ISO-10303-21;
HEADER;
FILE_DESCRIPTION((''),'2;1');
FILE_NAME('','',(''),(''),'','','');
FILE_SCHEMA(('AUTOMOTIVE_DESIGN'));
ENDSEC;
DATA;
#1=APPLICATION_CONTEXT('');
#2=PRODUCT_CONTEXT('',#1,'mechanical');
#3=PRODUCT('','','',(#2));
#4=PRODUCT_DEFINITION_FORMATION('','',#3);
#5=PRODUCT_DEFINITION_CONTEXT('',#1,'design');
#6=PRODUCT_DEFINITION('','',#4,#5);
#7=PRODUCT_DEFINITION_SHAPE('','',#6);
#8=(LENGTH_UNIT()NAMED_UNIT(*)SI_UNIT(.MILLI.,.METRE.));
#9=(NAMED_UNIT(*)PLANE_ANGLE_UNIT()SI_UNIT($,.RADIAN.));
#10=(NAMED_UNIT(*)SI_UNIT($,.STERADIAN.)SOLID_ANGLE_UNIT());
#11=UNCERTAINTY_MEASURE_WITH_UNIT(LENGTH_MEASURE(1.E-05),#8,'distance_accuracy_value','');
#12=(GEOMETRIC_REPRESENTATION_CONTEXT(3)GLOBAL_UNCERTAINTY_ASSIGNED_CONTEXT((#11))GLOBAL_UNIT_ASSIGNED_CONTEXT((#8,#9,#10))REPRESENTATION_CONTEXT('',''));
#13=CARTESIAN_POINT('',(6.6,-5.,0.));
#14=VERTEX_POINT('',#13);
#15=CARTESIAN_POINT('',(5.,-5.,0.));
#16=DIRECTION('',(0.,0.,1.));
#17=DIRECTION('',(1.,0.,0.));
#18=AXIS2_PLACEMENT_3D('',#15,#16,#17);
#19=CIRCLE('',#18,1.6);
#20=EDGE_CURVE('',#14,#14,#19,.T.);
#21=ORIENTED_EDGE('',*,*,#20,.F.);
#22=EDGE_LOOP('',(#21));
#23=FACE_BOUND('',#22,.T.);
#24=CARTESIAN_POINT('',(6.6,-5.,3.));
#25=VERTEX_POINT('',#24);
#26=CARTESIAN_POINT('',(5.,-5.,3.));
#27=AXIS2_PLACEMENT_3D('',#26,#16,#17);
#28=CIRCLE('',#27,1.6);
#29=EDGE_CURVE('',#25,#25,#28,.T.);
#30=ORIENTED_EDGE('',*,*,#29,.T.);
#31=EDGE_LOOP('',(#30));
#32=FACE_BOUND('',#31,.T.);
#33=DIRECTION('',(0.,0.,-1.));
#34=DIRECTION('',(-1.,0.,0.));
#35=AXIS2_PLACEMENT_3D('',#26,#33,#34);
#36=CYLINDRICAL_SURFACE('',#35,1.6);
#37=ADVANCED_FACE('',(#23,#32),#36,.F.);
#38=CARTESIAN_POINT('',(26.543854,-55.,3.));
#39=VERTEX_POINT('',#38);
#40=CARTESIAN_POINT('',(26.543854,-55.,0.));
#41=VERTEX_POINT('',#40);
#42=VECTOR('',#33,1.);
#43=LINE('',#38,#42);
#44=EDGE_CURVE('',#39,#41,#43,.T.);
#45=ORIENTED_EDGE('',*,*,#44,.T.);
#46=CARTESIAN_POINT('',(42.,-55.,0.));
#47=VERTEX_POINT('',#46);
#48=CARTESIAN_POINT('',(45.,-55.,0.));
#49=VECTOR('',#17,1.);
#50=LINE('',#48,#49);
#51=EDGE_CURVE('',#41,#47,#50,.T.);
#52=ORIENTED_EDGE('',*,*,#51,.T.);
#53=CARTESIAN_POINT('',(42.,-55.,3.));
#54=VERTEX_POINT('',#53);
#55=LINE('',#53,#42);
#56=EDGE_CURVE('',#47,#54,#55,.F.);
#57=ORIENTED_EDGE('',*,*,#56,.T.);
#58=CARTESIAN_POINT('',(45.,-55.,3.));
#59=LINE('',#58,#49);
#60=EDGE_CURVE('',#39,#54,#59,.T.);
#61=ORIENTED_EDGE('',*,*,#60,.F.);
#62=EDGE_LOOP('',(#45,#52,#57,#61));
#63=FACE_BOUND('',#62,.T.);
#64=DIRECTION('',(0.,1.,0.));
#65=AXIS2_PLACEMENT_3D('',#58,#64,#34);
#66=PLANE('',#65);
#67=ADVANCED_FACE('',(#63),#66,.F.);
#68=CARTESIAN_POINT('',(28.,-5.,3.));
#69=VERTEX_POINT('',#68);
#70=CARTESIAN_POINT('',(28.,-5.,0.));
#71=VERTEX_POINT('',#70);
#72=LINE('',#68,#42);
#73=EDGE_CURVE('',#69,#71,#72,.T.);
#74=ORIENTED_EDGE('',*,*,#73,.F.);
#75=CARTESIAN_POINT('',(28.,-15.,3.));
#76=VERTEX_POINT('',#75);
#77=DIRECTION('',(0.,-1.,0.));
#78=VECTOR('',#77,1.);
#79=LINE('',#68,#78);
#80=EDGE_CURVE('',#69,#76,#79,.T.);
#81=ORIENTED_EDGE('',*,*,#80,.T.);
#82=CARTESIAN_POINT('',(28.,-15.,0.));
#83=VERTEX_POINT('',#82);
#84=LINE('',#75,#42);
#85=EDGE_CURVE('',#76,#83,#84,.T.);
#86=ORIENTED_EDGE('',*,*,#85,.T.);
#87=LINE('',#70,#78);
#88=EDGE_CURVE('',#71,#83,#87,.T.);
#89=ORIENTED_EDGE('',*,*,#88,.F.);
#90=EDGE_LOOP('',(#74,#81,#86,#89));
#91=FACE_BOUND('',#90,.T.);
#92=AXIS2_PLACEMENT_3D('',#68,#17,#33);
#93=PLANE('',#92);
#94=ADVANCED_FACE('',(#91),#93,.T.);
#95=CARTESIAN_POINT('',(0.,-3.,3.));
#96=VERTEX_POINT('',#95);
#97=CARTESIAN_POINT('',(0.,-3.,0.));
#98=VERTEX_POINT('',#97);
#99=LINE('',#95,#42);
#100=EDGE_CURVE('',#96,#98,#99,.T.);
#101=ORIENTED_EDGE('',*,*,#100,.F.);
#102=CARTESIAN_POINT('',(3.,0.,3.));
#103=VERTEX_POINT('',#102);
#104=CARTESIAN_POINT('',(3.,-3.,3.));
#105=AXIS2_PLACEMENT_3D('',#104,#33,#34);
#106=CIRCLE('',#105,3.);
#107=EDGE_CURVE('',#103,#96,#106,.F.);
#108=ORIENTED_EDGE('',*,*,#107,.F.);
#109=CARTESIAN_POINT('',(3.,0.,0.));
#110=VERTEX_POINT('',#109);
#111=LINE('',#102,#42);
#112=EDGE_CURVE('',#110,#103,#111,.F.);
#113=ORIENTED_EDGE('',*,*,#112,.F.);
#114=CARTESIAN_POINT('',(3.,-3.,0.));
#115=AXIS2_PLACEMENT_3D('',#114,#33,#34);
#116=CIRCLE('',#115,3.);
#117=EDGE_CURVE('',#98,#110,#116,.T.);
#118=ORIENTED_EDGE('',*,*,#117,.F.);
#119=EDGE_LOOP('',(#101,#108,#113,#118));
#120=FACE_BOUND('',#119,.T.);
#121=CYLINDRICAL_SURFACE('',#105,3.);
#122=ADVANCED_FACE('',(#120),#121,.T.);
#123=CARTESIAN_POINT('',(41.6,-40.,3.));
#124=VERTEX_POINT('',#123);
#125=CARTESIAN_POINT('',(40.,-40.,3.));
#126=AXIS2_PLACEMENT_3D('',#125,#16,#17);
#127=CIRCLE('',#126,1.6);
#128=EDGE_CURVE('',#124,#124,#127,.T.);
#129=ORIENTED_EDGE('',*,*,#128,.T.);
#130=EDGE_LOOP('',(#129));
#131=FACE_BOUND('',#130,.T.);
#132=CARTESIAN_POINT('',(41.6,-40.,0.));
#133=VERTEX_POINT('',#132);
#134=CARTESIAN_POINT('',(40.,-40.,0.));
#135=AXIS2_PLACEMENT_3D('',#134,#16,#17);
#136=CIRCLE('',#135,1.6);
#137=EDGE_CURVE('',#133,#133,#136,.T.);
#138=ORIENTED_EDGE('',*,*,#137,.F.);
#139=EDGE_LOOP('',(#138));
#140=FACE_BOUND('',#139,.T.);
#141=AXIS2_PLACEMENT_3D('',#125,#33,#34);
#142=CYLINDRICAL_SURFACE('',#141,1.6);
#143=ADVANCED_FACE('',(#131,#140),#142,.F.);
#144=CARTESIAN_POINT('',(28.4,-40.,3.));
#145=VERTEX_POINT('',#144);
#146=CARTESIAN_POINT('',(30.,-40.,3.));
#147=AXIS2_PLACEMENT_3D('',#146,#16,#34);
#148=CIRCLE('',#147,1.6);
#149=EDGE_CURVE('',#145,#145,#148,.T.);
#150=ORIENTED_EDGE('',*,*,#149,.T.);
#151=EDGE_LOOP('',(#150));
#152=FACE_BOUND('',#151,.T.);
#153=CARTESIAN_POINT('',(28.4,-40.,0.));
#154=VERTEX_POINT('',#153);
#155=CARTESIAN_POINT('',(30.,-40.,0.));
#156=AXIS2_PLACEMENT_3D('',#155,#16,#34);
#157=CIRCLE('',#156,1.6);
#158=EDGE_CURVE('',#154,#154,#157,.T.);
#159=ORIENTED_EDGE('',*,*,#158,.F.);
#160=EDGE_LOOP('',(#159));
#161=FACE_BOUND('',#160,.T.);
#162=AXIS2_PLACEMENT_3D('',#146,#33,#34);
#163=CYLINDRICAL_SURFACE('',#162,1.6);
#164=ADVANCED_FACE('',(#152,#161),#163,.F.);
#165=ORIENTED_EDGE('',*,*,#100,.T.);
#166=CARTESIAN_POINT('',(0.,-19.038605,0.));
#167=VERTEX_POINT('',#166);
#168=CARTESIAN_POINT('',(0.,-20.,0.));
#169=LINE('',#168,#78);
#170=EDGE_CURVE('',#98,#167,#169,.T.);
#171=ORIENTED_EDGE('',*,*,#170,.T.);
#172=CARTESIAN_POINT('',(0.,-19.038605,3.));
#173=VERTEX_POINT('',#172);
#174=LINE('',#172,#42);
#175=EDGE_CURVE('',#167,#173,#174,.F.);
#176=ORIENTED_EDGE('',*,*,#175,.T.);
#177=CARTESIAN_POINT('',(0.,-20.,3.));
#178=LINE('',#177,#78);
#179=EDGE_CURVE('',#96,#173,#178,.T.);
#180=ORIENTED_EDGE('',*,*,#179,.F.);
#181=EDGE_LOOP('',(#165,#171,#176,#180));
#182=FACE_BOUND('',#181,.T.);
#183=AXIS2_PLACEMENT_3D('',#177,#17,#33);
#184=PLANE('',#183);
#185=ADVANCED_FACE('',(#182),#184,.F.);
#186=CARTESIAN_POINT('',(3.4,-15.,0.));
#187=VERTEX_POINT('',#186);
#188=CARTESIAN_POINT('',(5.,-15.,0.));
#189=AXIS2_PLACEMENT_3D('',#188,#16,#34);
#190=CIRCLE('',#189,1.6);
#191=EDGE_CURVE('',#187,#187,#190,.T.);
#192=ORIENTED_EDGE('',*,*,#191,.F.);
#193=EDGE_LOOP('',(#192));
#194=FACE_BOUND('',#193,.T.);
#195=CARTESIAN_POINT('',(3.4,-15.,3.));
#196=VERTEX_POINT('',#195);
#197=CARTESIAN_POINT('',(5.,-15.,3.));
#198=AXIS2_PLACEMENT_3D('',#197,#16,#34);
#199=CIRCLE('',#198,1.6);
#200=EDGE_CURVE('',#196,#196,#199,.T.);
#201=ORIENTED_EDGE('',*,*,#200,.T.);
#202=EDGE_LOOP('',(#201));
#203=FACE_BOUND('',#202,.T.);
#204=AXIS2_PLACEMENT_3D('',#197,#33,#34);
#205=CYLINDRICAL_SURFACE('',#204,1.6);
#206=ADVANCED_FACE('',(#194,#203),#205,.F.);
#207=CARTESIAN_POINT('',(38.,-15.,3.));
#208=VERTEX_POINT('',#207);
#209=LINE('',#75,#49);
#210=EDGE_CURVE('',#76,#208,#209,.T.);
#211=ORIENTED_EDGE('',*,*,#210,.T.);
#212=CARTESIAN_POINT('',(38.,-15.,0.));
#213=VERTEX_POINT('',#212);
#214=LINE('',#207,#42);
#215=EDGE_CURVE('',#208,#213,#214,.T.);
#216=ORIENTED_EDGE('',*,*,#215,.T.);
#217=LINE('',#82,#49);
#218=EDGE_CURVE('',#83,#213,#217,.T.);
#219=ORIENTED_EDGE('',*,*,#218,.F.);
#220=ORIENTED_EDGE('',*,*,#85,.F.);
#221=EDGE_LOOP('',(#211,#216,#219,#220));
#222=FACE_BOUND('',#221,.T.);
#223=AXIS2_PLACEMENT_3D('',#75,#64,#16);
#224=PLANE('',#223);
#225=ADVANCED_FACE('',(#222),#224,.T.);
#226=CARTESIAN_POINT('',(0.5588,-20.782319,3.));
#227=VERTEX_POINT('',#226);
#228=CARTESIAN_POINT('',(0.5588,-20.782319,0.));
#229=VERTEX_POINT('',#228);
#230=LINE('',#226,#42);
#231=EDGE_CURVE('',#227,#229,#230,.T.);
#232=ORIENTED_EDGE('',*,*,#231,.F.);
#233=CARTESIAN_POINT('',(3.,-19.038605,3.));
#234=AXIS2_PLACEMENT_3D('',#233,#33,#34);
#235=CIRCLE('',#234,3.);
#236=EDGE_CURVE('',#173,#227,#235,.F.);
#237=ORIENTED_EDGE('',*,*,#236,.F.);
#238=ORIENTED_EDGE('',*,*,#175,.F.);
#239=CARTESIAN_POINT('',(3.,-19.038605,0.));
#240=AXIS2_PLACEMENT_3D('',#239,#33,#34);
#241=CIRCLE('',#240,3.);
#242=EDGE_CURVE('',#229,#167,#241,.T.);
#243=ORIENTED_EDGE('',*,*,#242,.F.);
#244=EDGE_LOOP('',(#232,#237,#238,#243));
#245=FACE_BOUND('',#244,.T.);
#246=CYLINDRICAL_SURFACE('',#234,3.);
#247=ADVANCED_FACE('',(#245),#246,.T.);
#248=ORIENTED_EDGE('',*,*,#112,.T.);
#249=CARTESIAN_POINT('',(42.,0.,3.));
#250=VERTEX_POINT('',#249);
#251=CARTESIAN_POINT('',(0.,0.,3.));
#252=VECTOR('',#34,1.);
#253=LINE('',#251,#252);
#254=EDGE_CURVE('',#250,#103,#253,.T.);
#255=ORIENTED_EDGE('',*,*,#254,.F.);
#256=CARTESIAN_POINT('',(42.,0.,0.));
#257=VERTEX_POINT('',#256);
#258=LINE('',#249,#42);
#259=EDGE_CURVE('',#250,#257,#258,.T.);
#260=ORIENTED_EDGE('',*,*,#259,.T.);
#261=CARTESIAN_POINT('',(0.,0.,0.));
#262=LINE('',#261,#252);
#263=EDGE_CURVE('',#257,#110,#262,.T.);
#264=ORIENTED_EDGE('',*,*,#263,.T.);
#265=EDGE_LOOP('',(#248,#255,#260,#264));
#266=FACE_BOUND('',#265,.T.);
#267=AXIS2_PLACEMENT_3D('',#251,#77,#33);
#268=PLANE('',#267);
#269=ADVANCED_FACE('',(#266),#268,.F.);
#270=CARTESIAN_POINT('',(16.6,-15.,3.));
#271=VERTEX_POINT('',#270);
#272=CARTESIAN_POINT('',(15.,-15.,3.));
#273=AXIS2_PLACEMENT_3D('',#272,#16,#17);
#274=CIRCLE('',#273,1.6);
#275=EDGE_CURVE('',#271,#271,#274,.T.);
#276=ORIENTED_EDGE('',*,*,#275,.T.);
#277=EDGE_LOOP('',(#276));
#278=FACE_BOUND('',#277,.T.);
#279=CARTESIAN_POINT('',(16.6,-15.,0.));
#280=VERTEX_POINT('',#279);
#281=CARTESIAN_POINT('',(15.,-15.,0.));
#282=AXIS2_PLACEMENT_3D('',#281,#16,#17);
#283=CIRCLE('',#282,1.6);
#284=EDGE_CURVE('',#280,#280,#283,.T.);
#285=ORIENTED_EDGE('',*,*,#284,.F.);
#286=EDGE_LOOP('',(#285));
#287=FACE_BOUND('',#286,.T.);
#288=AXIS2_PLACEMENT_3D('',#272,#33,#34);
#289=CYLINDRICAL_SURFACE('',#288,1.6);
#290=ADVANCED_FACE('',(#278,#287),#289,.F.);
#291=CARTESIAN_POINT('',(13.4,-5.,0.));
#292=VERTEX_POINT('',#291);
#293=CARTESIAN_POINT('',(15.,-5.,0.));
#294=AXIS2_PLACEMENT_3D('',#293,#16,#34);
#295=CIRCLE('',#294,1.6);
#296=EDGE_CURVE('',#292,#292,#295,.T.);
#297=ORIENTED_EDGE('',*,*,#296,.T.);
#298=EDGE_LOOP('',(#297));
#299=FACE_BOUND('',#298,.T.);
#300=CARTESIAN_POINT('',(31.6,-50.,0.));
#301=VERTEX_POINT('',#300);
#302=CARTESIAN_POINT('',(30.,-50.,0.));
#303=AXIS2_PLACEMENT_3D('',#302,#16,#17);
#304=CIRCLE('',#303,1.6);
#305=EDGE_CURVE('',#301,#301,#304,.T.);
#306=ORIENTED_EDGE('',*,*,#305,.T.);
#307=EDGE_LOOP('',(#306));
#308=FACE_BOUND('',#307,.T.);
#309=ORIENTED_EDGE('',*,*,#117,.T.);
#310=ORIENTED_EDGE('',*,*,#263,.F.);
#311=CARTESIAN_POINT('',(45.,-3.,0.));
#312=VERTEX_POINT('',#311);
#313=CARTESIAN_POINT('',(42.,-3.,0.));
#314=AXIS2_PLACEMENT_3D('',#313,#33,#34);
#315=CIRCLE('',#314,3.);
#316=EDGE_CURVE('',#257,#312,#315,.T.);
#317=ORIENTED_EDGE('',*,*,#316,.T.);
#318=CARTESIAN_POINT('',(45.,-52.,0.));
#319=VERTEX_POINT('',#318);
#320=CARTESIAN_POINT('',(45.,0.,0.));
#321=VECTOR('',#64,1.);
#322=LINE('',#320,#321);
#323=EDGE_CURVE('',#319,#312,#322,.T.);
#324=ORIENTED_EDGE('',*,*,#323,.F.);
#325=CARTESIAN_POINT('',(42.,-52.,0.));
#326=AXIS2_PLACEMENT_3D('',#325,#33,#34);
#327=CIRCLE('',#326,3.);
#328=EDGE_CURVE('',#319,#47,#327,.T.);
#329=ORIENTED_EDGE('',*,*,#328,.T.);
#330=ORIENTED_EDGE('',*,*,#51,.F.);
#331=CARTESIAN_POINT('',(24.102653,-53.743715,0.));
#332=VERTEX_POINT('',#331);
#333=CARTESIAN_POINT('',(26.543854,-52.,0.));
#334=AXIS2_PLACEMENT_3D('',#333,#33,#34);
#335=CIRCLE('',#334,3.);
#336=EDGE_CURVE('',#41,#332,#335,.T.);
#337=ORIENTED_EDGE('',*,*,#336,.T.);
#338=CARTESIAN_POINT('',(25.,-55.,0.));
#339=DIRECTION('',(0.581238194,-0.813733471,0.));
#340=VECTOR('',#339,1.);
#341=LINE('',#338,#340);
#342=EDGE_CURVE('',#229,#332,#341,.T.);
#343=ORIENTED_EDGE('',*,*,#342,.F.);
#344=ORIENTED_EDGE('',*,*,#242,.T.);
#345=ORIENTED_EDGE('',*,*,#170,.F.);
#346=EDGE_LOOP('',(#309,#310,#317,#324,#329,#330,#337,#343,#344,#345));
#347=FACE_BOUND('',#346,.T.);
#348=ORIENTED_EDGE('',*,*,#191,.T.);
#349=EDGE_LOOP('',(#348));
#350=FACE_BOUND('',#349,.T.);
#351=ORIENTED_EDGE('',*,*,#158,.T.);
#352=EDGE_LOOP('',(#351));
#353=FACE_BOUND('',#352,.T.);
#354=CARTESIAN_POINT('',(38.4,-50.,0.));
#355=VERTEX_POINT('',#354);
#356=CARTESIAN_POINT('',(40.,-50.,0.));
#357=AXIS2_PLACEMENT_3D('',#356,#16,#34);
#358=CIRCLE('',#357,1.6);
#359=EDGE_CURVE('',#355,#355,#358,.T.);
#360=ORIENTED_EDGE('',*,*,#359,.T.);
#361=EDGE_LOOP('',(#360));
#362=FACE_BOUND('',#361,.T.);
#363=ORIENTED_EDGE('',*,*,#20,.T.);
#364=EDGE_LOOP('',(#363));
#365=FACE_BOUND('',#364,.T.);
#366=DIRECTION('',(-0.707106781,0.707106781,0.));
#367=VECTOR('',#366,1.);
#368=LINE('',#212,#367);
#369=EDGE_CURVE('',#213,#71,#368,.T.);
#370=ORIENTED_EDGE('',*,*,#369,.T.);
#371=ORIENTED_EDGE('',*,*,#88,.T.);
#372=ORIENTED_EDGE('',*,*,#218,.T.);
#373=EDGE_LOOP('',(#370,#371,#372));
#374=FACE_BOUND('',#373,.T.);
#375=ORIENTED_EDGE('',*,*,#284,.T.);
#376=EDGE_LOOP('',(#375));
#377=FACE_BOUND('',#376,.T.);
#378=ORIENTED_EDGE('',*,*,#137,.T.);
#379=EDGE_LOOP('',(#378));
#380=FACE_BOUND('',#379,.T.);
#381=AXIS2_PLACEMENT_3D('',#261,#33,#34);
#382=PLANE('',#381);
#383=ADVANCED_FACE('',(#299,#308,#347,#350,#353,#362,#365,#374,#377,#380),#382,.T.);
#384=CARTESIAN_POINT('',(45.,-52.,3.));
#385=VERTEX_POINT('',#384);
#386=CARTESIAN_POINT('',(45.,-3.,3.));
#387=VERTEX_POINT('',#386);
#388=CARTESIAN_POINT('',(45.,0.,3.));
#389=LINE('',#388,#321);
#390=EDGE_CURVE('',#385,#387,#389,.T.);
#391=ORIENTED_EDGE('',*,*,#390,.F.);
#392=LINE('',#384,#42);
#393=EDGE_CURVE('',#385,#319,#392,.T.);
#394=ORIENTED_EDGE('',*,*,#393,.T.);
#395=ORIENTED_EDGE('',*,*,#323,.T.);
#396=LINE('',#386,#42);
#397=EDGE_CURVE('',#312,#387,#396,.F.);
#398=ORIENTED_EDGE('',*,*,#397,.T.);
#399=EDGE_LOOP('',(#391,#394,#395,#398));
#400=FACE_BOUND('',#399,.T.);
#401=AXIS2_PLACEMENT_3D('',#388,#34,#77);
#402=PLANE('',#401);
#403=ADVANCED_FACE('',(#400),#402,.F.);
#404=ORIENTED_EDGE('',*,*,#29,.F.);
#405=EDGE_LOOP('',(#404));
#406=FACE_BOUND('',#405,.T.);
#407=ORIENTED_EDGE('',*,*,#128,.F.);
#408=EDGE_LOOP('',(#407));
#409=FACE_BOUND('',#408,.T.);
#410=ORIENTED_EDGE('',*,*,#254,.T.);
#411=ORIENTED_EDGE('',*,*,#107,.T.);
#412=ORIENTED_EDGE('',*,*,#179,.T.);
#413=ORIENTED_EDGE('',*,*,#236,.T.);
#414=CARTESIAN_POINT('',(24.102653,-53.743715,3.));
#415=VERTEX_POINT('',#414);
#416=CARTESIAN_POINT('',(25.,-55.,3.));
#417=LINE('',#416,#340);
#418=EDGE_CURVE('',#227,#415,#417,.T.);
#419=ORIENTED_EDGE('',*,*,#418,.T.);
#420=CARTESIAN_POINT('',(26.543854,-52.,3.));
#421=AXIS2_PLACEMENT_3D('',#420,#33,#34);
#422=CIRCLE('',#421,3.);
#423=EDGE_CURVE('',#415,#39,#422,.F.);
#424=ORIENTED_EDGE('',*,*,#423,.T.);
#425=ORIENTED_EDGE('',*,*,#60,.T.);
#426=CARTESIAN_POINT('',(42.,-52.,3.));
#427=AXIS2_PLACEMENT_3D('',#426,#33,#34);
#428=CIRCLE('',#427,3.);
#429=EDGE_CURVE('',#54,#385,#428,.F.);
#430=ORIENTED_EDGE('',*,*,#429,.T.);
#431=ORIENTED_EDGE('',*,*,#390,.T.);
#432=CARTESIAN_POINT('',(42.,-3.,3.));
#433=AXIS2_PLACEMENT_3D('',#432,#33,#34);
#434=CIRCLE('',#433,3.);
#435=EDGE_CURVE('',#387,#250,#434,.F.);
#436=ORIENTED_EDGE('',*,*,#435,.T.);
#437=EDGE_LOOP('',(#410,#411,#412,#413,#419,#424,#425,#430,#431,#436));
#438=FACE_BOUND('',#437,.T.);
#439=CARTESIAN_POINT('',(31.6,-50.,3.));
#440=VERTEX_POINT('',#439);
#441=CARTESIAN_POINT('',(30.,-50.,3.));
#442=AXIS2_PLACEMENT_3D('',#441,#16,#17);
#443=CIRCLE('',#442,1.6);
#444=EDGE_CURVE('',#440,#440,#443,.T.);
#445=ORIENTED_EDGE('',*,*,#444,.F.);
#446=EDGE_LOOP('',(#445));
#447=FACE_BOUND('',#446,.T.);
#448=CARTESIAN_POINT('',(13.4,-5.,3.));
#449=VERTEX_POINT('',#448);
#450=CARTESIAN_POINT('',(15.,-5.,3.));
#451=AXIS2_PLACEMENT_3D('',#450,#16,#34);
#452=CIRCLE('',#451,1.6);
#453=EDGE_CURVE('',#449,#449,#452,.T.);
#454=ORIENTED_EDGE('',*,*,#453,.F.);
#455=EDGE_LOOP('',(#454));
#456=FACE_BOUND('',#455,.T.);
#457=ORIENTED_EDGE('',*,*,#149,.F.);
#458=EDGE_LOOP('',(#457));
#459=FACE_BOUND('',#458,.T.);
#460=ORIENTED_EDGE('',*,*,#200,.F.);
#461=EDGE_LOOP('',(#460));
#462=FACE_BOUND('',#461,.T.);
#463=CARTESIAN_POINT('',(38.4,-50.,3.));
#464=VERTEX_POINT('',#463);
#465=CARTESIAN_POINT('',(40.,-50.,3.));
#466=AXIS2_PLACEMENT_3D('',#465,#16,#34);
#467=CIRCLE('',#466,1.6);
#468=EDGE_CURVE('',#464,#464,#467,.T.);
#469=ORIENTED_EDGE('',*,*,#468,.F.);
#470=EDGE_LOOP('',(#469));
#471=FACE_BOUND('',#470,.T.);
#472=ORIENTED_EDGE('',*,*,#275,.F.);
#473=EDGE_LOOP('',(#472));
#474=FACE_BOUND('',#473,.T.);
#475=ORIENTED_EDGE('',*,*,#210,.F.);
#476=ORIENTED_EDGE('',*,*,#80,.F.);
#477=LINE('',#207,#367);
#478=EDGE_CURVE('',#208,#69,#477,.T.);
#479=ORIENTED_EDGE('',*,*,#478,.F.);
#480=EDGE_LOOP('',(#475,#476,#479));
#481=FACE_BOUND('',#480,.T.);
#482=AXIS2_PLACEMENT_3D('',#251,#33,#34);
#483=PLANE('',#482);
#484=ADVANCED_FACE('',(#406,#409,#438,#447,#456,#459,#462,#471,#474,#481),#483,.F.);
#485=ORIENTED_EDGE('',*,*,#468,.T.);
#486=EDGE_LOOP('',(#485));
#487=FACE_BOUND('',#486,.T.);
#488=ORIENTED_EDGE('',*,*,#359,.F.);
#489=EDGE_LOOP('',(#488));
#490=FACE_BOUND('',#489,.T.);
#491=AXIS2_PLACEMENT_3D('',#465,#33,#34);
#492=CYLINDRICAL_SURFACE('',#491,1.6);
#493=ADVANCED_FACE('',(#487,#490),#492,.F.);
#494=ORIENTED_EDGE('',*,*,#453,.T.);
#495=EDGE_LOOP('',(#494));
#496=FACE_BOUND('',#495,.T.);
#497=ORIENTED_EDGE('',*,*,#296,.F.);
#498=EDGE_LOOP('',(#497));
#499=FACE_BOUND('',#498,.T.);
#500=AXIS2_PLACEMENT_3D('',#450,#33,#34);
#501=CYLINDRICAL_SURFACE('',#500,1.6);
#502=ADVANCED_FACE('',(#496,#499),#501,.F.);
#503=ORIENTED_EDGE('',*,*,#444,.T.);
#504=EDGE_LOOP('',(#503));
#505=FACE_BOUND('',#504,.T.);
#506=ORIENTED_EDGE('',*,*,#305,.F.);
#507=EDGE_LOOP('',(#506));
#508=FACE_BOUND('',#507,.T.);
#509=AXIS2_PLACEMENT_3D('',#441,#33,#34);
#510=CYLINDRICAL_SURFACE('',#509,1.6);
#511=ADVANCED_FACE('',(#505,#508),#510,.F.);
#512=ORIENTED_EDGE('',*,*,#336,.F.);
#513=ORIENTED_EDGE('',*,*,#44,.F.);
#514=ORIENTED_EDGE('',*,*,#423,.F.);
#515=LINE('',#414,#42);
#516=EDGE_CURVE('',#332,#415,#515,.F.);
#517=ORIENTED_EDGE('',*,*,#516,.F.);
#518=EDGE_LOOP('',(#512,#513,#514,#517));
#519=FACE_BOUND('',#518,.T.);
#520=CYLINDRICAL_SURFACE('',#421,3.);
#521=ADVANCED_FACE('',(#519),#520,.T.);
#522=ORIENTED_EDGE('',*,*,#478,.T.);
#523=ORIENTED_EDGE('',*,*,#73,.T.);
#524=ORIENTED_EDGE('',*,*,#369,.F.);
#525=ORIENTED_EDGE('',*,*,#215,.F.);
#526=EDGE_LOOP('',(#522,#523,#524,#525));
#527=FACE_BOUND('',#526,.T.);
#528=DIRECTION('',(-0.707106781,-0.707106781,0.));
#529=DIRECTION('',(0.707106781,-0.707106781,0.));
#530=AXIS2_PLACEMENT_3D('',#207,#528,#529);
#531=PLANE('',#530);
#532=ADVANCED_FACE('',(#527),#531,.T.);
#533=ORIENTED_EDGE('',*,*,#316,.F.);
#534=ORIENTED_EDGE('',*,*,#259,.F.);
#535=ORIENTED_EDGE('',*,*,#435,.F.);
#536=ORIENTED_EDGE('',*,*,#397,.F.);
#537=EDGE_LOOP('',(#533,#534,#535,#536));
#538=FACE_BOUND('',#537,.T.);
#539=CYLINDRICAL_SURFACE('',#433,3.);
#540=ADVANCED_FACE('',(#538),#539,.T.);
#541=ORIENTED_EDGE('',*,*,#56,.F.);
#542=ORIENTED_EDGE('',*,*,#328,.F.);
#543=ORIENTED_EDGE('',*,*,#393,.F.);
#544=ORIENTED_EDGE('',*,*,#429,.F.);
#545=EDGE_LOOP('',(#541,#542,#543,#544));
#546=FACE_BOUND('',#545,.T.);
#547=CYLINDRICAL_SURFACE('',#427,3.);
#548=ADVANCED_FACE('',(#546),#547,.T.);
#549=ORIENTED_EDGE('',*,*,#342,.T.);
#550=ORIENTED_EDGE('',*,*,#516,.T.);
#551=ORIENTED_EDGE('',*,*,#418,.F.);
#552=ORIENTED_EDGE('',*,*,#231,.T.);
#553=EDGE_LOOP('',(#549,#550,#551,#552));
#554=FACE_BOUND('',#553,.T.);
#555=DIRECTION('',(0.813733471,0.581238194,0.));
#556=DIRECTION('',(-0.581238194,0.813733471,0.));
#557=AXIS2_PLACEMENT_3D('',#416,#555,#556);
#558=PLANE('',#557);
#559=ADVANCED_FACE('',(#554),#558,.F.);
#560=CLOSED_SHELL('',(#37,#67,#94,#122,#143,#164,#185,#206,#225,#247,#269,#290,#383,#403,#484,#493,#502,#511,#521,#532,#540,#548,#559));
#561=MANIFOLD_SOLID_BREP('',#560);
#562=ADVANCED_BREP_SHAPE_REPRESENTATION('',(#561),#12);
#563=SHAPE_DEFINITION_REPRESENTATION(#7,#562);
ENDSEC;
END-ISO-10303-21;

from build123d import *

# Parameters (mm, degrees)
SKETCH_1_R      = 1.6
EXTRUDE_1_DEPTH = 3
FILLET_1_R      = 3


with BuildPart() as part:
    # 草图1 → 凸台-拉伸1 (new body)
    with BuildSketch(Plane.XY):
        Polygon((0, 0), (45, 0), (45, -55), (25, -55), (0, -20), align=None)
        with Locations((5, -5)):
            Circle(SKETCH_1_R, mode=Mode.SUBTRACT)
        with Locations(Location((15, -5, 0), (0, 0, 180))):
            Circle(SKETCH_1_R, mode=Mode.SUBTRACT)
        with Locations((15, -15)):
            Circle(SKETCH_1_R, mode=Mode.SUBTRACT)
        with Locations(Location((5, -15, 0), (0, 0, 180))):
            Circle(SKETCH_1_R, mode=Mode.SUBTRACT)
        with Locations((30, -50)):
            Circle(SKETCH_1_R, mode=Mode.SUBTRACT)
        with Locations(Location((40, -50, 0), (0, 0, 180))):
            Circle(SKETCH_1_R, mode=Mode.SUBTRACT)
        with Locations((40, -40)):
            Circle(SKETCH_1_R, mode=Mode.SUBTRACT)
        with Locations(Location((30, -40, 0), (0, 0, 180))):
            Circle(SKETCH_1_R, mode=Mode.SUBTRACT)
        Polygon((28, -5), (28, -15), (38, -15), align=None, mode=Mode.SUBTRACT)
    extrude(amount=EXTRUDE_1_DEPTH)

    # 圆角1
    fillet_1_edges = [part.edges().sort_by_distance(p)[0] for p in [
        (0, 0, 1.5),
        (45, 0, 1.5),
        (45, -55, 1.5),
        (25, -55, 1.5),
        (0, -20, 1.5),
    ]]
    fillet(fillet_1_edges, radius=FILLET_1_R)


solid = part.part
